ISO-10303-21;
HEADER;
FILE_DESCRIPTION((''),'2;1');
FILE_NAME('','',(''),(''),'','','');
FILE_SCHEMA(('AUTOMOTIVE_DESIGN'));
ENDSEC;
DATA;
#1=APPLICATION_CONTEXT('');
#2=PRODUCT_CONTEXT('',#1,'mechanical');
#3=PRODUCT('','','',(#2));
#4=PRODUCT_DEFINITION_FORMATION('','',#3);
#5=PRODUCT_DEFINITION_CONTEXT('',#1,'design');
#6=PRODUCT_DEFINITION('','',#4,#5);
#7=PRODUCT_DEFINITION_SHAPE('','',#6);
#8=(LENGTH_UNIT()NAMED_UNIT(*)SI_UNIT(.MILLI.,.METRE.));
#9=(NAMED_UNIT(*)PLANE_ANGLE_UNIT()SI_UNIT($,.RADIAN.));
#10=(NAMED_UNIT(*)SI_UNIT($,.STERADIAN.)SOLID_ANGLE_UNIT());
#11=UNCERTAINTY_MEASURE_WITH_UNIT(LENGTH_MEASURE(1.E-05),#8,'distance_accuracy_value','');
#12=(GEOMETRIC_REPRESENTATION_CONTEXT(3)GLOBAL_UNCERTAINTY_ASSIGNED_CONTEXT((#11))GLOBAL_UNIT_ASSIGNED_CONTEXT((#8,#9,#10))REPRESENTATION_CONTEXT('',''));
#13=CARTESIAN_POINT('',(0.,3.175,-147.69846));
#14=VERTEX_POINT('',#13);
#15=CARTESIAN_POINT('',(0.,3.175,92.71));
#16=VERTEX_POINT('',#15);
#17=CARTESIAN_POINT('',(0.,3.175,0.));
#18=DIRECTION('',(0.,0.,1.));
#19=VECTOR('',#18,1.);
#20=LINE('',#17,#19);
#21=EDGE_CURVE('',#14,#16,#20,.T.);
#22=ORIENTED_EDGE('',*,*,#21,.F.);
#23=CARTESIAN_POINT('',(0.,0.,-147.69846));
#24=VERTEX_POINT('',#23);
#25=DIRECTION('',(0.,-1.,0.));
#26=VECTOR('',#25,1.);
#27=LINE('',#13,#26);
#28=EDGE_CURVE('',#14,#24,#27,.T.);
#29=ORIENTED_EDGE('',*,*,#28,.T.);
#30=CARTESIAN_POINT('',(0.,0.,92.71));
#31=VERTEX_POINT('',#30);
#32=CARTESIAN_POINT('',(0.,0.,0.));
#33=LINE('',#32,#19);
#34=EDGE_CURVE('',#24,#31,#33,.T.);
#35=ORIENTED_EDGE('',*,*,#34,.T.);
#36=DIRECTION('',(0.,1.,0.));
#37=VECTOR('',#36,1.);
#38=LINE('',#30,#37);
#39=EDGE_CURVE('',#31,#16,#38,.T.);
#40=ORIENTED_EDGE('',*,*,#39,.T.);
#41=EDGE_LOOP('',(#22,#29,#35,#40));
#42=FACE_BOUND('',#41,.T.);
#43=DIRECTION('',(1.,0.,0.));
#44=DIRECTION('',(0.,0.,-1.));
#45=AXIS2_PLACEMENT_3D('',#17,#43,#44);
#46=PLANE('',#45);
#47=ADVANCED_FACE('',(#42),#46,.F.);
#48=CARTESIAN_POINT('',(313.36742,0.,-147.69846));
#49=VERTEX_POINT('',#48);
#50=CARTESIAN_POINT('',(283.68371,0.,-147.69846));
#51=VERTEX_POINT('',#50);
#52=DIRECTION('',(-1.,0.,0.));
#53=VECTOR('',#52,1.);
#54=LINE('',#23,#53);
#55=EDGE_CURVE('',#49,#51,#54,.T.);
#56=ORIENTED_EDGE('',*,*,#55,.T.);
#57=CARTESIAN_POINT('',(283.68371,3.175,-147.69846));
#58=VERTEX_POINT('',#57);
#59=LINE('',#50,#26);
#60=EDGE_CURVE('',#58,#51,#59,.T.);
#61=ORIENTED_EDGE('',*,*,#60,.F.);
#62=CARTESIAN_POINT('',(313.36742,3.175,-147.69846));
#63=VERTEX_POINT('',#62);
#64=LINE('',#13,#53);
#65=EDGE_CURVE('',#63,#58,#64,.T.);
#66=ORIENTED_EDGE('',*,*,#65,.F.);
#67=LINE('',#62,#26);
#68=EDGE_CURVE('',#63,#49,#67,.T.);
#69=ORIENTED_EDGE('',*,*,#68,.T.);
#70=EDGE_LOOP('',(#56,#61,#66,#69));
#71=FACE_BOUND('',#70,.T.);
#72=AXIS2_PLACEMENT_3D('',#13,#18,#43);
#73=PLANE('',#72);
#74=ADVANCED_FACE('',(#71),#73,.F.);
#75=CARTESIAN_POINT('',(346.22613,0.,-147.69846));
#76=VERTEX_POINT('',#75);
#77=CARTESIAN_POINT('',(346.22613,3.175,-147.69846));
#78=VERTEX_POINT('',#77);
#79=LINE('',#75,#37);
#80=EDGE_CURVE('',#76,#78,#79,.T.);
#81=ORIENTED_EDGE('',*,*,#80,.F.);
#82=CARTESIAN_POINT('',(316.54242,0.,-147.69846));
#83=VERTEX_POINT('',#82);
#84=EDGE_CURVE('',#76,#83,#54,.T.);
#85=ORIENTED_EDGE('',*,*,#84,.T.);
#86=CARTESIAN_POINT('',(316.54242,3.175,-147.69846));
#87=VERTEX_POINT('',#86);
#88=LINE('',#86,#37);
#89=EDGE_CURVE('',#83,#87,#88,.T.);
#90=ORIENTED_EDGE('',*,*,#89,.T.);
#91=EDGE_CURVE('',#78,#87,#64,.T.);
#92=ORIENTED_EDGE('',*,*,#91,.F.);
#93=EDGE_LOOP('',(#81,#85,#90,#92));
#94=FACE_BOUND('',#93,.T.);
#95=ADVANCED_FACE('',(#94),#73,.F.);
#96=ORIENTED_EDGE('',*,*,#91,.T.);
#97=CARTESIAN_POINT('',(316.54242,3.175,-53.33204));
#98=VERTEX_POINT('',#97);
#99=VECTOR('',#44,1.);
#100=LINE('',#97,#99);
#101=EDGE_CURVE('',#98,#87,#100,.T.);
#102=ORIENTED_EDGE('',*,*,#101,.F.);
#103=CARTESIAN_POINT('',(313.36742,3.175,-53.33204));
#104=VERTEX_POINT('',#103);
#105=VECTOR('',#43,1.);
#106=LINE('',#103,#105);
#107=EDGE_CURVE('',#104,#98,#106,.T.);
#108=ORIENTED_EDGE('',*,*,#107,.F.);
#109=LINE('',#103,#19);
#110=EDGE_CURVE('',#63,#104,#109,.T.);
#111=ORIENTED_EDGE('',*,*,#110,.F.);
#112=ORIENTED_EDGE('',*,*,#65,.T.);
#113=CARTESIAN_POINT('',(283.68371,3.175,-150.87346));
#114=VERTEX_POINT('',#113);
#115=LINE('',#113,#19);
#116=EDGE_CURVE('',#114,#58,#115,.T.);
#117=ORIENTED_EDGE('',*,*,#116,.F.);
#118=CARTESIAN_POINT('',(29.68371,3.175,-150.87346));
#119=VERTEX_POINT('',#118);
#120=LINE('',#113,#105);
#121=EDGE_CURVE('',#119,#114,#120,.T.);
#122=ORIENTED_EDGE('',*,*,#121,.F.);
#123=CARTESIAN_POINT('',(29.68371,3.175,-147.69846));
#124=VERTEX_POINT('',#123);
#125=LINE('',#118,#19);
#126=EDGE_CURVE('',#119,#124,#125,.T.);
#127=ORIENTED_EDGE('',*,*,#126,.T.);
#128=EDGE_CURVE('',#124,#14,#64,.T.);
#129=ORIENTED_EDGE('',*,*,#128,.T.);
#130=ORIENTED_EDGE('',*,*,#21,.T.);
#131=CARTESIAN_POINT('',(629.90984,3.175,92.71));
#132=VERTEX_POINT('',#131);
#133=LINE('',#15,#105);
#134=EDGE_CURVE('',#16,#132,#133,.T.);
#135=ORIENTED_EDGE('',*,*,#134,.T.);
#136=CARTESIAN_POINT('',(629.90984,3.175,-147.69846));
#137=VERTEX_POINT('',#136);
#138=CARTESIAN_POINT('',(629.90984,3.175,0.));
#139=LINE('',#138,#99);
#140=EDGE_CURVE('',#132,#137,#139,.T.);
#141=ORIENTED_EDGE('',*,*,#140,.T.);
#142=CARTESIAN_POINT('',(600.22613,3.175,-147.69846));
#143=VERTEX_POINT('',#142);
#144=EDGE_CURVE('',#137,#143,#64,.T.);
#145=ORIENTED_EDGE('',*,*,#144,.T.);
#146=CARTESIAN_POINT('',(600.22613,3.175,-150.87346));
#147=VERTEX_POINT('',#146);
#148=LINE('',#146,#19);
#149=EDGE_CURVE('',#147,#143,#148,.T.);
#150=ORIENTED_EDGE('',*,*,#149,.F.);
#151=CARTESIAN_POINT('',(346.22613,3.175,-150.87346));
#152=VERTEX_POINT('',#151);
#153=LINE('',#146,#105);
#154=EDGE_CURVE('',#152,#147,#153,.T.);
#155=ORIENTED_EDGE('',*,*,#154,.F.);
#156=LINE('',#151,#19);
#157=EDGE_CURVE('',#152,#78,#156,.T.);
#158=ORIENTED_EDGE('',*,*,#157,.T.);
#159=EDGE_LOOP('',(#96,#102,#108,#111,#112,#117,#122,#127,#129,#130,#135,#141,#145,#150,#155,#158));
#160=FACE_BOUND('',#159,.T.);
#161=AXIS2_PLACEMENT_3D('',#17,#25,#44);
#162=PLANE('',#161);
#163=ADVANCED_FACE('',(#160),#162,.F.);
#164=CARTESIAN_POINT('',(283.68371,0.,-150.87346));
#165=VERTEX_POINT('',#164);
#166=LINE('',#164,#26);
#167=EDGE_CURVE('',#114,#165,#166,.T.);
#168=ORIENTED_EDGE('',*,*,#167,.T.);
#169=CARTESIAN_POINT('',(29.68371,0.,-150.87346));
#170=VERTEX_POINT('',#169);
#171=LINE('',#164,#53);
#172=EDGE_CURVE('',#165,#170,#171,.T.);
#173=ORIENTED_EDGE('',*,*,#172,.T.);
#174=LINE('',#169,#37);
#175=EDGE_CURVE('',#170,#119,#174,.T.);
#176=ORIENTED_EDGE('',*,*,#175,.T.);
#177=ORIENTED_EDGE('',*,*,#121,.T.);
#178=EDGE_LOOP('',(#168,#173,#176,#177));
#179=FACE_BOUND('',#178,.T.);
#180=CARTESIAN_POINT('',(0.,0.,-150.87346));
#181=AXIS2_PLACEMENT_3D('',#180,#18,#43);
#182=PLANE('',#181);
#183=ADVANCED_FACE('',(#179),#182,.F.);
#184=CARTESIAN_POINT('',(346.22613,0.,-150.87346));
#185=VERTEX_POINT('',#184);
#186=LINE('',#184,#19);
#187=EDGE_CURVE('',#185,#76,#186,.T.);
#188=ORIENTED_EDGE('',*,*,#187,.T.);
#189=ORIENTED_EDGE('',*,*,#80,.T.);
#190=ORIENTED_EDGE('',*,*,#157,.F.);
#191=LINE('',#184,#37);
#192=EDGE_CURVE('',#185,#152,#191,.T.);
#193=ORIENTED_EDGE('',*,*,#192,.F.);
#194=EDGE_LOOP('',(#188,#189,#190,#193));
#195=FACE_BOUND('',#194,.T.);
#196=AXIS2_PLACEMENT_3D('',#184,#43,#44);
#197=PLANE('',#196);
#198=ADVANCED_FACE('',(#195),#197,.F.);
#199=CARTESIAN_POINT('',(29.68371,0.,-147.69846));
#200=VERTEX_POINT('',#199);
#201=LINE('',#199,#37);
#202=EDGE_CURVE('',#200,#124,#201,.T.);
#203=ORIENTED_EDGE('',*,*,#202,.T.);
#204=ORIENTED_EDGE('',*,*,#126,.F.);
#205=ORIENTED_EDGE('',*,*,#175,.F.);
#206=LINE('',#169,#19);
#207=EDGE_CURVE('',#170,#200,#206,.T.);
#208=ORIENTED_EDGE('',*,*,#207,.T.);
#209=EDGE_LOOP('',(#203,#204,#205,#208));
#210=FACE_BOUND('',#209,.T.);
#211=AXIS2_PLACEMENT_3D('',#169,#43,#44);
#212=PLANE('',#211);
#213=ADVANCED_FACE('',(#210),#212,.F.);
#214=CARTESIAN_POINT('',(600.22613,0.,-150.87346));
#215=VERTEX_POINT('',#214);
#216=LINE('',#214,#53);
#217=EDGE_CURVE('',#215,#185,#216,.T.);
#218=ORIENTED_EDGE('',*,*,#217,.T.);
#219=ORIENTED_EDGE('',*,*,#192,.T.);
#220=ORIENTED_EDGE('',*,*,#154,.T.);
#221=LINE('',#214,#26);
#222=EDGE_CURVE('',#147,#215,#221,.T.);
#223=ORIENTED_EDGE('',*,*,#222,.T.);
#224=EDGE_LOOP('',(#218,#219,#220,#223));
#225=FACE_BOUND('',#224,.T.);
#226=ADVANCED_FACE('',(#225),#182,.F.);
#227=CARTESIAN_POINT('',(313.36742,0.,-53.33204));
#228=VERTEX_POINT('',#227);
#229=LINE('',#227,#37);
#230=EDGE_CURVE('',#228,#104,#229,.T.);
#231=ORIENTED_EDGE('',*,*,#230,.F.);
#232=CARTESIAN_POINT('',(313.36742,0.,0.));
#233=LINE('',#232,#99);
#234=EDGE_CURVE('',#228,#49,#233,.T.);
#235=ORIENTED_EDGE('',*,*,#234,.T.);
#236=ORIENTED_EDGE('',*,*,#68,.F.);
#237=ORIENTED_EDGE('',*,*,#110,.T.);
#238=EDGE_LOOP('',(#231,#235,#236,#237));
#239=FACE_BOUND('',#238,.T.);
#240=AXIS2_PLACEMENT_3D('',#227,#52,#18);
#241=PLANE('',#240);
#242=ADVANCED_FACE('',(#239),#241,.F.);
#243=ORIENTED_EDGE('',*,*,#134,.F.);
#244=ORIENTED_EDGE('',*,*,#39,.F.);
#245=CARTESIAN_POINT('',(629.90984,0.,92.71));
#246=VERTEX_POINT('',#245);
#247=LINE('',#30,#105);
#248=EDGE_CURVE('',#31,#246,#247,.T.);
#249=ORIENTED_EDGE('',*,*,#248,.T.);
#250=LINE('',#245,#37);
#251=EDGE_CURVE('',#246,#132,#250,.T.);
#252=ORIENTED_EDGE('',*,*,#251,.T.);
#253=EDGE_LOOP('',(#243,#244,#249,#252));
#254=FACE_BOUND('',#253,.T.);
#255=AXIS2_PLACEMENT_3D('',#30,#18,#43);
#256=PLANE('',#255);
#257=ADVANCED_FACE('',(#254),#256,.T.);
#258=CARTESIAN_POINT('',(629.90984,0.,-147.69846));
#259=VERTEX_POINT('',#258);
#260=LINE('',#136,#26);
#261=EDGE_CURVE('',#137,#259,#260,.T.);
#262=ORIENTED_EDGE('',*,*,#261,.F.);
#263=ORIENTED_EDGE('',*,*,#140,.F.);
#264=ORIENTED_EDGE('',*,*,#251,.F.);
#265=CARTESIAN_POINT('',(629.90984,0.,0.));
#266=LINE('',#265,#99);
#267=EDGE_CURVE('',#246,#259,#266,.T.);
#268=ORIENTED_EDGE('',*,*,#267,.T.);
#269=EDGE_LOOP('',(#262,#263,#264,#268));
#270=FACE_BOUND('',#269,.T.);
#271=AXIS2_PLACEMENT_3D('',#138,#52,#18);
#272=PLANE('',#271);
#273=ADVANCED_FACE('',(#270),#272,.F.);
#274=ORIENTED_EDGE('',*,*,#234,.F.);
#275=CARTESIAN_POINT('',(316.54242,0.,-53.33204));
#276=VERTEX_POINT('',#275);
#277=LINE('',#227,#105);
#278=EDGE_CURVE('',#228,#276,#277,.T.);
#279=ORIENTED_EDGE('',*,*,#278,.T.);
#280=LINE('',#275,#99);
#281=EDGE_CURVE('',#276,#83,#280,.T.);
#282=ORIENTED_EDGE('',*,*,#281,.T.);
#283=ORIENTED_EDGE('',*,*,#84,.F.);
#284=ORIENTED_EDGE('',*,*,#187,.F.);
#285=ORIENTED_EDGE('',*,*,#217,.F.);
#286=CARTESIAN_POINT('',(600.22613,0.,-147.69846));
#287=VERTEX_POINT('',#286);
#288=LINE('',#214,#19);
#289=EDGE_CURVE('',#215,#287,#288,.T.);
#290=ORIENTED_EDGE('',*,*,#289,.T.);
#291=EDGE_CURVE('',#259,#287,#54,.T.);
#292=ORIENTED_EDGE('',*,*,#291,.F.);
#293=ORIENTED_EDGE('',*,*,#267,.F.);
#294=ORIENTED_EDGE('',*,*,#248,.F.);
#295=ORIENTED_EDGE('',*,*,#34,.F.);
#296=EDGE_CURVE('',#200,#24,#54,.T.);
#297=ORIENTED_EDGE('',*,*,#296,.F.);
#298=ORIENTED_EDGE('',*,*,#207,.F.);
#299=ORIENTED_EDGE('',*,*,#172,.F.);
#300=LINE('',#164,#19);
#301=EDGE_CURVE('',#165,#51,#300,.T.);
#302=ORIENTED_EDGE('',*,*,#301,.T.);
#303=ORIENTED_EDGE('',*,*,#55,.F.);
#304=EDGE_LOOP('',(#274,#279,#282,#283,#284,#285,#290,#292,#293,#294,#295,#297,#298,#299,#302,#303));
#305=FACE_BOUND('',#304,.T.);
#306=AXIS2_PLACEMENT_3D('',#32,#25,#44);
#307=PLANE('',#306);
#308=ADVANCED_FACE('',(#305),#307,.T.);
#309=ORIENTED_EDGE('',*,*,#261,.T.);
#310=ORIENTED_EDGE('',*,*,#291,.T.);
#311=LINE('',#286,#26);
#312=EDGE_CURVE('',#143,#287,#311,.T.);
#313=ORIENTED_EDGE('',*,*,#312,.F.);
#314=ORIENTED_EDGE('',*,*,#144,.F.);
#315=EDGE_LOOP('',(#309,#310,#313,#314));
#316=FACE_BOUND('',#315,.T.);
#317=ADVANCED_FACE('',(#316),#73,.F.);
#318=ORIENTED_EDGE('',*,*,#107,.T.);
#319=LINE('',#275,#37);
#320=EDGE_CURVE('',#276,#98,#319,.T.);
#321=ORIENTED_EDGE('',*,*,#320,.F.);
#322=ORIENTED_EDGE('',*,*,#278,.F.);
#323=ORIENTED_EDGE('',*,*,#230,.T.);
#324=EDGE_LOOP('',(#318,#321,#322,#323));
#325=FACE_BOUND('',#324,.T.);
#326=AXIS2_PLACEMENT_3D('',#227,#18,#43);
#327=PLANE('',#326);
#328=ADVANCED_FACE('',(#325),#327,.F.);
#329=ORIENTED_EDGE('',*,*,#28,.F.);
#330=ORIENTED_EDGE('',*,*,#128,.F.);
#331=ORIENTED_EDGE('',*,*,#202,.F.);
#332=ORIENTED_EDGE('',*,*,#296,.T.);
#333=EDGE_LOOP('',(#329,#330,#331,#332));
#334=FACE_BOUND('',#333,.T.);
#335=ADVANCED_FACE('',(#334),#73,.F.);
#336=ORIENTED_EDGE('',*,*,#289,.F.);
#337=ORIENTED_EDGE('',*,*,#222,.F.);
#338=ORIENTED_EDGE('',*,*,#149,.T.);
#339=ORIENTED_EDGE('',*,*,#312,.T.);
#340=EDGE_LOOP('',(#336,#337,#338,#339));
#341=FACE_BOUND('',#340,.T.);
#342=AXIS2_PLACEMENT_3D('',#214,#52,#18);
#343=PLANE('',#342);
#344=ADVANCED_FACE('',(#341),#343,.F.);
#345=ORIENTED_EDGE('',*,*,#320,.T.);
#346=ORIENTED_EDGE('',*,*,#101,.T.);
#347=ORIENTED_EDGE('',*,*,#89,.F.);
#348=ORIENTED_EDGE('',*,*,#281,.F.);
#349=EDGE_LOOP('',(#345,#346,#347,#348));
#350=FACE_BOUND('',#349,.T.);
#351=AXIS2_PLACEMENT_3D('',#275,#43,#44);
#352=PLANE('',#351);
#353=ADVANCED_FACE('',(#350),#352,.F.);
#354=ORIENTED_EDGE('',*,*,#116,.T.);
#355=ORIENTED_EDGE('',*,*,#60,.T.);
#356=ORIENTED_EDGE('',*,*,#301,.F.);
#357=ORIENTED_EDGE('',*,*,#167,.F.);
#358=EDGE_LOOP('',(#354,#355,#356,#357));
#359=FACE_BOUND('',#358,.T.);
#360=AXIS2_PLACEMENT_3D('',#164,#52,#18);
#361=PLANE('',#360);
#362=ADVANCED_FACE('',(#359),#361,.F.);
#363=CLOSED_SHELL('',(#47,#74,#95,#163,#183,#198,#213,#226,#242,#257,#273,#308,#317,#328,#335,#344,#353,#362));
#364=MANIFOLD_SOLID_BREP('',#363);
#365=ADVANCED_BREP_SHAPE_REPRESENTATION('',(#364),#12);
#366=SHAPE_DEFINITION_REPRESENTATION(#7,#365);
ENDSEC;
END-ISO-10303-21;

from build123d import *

# Parameters (mm, degrees)
SKETCH1_W           = 629.90984
SKETCH1_H           = 147.69846
BOSS_EXTRUDE1_DEPTH = 3.175
SKETCH3_W           = 254
SKETCH3_H           = 3.175
BOSS_EXTRUDE2_DEPTH = 3.175
SKETCH4_W           = 3.175
SKETCH4_H           = 188.732840052
CUT_EXTRUDE1_DEPTH  = 3.175
SKETCH7_W           = 629.90984
SKETCH7_H           = 92.71
BOSS_EXTRUDE3_DEPTH = 3.175


with BuildPart() as part:
    # Sketch1 → Boss-Extrude1 (new body)
    with BuildSketch(Plane(origin=(0, 0, 0), x_dir=(1, 0, 0), z_dir=(0, 1, 0))):
        with Locations((314.95492, 73.84923)):
            Rectangle(SKETCH1_W, SKETCH1_H)
    extrude(amount=BOSS_EXTRUDE1_DEPTH)

    # Sketch3 → Boss-Extrude2 (add)
    with BuildSketch(Plane(origin=(0, 0, -147.69846), x_dir=(-1, 0, 0), z_dir=(0, 0, -1))):
        with Locations((-473.22613, 1.5875)):
            Rectangle(SKETCH3_W, SKETCH3_H)
        with Locations((-156.68371, 1.5875)):
            Rectangle(SKETCH3_W, SKETCH3_H)
    extrude(amount=BOSS_EXTRUDE2_DEPTH)

    # Sketch4 → Cut-Extrude1 (cut)
    with BuildSketch(Plane(origin=(0, 3.175, 0), x_dir=(1, 0, 0), z_dir=(0, 1, 0))):
        with Locations((314.95492, 147.69846)):
            Rectangle(SKETCH4_W, SKETCH4_H)
    extrude(amount=-CUT_EXTRUDE1_DEPTH, mode=Mode.SUBTRACT)

    # Sketch7 → Boss-Extrude3 (add, through all)
    with BuildSketch(Plane(origin=(0, 3.175, 0), x_dir=(1, 0, 0), z_dir=(0, 1, 0))):
        with Locations((314.95492, -46.355)):
            Rectangle(SKETCH7_W, SKETCH7_H)
    extrude(amount=-BOSS_EXTRUDE3_DEPTH)


solid = part.part
